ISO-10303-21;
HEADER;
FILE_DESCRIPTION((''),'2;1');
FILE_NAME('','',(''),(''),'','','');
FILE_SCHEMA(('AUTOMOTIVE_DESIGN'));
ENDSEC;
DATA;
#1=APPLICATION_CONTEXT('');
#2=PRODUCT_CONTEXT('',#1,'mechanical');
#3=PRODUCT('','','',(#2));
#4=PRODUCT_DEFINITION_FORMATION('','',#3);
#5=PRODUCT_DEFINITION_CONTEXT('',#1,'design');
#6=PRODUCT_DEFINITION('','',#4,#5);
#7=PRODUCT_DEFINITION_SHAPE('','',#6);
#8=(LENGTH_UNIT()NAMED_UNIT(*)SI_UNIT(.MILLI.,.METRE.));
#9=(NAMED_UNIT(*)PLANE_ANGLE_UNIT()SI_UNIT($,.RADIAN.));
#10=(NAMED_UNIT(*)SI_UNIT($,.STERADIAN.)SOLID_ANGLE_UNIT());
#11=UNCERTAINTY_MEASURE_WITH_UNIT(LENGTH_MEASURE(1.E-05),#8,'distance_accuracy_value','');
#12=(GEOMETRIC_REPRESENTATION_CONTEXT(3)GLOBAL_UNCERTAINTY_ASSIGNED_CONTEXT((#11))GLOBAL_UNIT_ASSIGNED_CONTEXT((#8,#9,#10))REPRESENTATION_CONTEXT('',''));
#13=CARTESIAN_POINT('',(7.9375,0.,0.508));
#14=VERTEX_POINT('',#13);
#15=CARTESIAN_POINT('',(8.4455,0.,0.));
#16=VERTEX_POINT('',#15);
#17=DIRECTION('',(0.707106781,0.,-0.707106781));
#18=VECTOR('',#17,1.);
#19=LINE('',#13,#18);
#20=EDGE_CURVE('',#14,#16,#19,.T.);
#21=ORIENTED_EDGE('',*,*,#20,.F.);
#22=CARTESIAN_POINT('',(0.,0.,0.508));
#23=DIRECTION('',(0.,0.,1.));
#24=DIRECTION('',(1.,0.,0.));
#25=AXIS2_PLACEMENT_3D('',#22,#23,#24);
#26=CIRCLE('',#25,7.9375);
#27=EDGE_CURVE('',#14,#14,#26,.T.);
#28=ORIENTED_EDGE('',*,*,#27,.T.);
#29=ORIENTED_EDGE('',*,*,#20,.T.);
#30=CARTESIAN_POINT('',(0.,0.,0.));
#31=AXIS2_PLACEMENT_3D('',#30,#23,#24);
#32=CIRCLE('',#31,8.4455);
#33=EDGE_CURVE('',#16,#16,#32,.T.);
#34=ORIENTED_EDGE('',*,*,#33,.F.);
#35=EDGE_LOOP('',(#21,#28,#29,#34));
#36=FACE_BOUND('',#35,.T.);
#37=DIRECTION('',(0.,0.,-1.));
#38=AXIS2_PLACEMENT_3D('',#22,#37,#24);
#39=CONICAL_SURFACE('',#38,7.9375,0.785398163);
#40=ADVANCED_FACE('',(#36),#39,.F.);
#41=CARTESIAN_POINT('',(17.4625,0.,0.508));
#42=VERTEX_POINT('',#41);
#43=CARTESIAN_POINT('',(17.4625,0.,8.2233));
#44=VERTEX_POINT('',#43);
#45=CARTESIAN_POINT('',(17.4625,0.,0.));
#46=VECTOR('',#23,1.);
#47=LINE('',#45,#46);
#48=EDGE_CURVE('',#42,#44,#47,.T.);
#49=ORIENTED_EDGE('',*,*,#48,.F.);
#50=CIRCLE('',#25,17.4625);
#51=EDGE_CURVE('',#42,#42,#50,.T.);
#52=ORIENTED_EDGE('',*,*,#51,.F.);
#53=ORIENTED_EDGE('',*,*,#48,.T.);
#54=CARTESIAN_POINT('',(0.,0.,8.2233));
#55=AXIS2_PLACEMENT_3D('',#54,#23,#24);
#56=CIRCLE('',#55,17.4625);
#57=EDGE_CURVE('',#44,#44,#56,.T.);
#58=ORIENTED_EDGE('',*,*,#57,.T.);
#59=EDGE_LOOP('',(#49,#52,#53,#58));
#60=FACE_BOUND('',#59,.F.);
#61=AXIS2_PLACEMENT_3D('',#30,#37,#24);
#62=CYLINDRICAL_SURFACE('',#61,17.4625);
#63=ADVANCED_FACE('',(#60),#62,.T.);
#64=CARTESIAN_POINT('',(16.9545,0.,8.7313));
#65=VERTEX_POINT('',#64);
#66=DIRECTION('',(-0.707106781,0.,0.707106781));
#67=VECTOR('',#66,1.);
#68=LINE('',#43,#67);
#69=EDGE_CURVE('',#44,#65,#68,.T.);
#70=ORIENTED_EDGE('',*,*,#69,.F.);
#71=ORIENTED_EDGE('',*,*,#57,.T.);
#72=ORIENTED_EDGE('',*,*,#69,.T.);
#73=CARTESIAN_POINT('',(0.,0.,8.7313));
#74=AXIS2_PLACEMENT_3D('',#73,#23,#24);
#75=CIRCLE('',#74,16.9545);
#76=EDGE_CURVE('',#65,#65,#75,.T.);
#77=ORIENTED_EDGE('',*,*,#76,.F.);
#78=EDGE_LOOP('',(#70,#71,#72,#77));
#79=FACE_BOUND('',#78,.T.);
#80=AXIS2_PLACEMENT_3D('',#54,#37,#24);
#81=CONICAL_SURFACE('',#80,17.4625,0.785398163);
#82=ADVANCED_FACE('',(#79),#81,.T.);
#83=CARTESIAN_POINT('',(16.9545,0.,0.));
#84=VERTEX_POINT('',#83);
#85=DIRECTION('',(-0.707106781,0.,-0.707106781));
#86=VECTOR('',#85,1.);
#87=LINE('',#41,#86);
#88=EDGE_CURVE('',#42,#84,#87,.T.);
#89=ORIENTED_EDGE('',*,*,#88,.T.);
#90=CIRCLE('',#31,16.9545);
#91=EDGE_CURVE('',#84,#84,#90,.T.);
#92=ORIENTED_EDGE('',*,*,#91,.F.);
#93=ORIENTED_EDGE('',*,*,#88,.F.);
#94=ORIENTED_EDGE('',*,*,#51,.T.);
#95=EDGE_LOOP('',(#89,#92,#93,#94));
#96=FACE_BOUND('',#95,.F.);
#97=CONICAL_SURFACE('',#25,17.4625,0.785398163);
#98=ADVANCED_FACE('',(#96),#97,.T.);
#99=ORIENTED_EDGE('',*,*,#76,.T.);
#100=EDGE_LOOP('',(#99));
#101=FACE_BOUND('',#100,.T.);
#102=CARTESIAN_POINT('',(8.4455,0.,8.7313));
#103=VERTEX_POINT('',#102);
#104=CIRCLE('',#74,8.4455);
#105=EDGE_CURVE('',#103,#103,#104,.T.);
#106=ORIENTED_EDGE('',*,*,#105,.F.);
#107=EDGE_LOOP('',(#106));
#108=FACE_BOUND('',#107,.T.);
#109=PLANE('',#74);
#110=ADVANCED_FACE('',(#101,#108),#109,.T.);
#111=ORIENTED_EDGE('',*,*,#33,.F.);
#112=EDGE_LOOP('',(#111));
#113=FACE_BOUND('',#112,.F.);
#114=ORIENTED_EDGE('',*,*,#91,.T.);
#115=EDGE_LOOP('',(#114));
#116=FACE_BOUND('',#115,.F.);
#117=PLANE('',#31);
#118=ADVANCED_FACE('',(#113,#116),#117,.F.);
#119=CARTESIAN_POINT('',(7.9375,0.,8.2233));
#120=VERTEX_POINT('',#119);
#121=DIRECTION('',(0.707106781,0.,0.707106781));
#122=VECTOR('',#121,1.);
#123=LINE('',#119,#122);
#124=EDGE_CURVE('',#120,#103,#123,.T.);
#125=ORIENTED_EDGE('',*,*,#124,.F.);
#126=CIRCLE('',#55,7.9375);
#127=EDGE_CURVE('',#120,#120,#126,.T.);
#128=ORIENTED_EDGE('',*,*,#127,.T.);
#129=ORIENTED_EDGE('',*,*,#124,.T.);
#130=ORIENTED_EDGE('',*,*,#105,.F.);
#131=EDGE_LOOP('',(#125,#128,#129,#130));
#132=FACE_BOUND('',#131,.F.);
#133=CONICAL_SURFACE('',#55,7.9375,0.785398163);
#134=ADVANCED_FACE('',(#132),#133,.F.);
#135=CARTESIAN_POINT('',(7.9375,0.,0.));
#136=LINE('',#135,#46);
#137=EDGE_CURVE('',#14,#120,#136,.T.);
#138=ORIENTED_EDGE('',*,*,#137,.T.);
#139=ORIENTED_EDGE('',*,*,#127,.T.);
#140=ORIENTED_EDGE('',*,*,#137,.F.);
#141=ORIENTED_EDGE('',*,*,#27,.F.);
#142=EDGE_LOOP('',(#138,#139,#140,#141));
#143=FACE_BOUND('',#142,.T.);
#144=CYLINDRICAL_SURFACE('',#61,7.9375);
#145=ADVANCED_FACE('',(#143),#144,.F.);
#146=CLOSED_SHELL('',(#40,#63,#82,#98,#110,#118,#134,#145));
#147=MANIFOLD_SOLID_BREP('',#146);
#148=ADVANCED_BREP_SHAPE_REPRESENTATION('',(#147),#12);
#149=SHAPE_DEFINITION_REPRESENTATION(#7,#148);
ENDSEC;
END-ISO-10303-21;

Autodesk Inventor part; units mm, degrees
ref_plane "YZ Plane" through (0, 0, 0) normal (1, 0, 0) x (0, 1, 0)
sketch "Sketch1" plane through (0, 0, 0) normal (0, 0, 1) x (1, 0, 0)
  circle A0 centre (0, 0) radius 7.9375
  circle A1 centre (0, 0) radius 17.4625
  dimension "d7" = 15.875
  dimension "d8" = 34.925
extrude "Extrusion1" add sketch "Sketch1" along normal blind 8.7313
chamfer "Chamfer1" distance 0.508 angle 45 4 edges at (-17.4625, 0, 8.7313) (-7.9375, 0, 8.7313) (-7.9375, 0, 0) (-17.4625, 0, 0)
ref_plane "Work Plane1" through (0, 0, 4.3656) normal (0, 0, 1) x (1, 0, 0)
ref_plane "Work Plane2" through (0, 0, 4.3656) normal (0, 0, 1) x (1, 0, 0)
properties part number "R10-2RS Ball Bearing 5_8x1-3_8x11_32 Sealed S7PP 99R10" material "Steel"
